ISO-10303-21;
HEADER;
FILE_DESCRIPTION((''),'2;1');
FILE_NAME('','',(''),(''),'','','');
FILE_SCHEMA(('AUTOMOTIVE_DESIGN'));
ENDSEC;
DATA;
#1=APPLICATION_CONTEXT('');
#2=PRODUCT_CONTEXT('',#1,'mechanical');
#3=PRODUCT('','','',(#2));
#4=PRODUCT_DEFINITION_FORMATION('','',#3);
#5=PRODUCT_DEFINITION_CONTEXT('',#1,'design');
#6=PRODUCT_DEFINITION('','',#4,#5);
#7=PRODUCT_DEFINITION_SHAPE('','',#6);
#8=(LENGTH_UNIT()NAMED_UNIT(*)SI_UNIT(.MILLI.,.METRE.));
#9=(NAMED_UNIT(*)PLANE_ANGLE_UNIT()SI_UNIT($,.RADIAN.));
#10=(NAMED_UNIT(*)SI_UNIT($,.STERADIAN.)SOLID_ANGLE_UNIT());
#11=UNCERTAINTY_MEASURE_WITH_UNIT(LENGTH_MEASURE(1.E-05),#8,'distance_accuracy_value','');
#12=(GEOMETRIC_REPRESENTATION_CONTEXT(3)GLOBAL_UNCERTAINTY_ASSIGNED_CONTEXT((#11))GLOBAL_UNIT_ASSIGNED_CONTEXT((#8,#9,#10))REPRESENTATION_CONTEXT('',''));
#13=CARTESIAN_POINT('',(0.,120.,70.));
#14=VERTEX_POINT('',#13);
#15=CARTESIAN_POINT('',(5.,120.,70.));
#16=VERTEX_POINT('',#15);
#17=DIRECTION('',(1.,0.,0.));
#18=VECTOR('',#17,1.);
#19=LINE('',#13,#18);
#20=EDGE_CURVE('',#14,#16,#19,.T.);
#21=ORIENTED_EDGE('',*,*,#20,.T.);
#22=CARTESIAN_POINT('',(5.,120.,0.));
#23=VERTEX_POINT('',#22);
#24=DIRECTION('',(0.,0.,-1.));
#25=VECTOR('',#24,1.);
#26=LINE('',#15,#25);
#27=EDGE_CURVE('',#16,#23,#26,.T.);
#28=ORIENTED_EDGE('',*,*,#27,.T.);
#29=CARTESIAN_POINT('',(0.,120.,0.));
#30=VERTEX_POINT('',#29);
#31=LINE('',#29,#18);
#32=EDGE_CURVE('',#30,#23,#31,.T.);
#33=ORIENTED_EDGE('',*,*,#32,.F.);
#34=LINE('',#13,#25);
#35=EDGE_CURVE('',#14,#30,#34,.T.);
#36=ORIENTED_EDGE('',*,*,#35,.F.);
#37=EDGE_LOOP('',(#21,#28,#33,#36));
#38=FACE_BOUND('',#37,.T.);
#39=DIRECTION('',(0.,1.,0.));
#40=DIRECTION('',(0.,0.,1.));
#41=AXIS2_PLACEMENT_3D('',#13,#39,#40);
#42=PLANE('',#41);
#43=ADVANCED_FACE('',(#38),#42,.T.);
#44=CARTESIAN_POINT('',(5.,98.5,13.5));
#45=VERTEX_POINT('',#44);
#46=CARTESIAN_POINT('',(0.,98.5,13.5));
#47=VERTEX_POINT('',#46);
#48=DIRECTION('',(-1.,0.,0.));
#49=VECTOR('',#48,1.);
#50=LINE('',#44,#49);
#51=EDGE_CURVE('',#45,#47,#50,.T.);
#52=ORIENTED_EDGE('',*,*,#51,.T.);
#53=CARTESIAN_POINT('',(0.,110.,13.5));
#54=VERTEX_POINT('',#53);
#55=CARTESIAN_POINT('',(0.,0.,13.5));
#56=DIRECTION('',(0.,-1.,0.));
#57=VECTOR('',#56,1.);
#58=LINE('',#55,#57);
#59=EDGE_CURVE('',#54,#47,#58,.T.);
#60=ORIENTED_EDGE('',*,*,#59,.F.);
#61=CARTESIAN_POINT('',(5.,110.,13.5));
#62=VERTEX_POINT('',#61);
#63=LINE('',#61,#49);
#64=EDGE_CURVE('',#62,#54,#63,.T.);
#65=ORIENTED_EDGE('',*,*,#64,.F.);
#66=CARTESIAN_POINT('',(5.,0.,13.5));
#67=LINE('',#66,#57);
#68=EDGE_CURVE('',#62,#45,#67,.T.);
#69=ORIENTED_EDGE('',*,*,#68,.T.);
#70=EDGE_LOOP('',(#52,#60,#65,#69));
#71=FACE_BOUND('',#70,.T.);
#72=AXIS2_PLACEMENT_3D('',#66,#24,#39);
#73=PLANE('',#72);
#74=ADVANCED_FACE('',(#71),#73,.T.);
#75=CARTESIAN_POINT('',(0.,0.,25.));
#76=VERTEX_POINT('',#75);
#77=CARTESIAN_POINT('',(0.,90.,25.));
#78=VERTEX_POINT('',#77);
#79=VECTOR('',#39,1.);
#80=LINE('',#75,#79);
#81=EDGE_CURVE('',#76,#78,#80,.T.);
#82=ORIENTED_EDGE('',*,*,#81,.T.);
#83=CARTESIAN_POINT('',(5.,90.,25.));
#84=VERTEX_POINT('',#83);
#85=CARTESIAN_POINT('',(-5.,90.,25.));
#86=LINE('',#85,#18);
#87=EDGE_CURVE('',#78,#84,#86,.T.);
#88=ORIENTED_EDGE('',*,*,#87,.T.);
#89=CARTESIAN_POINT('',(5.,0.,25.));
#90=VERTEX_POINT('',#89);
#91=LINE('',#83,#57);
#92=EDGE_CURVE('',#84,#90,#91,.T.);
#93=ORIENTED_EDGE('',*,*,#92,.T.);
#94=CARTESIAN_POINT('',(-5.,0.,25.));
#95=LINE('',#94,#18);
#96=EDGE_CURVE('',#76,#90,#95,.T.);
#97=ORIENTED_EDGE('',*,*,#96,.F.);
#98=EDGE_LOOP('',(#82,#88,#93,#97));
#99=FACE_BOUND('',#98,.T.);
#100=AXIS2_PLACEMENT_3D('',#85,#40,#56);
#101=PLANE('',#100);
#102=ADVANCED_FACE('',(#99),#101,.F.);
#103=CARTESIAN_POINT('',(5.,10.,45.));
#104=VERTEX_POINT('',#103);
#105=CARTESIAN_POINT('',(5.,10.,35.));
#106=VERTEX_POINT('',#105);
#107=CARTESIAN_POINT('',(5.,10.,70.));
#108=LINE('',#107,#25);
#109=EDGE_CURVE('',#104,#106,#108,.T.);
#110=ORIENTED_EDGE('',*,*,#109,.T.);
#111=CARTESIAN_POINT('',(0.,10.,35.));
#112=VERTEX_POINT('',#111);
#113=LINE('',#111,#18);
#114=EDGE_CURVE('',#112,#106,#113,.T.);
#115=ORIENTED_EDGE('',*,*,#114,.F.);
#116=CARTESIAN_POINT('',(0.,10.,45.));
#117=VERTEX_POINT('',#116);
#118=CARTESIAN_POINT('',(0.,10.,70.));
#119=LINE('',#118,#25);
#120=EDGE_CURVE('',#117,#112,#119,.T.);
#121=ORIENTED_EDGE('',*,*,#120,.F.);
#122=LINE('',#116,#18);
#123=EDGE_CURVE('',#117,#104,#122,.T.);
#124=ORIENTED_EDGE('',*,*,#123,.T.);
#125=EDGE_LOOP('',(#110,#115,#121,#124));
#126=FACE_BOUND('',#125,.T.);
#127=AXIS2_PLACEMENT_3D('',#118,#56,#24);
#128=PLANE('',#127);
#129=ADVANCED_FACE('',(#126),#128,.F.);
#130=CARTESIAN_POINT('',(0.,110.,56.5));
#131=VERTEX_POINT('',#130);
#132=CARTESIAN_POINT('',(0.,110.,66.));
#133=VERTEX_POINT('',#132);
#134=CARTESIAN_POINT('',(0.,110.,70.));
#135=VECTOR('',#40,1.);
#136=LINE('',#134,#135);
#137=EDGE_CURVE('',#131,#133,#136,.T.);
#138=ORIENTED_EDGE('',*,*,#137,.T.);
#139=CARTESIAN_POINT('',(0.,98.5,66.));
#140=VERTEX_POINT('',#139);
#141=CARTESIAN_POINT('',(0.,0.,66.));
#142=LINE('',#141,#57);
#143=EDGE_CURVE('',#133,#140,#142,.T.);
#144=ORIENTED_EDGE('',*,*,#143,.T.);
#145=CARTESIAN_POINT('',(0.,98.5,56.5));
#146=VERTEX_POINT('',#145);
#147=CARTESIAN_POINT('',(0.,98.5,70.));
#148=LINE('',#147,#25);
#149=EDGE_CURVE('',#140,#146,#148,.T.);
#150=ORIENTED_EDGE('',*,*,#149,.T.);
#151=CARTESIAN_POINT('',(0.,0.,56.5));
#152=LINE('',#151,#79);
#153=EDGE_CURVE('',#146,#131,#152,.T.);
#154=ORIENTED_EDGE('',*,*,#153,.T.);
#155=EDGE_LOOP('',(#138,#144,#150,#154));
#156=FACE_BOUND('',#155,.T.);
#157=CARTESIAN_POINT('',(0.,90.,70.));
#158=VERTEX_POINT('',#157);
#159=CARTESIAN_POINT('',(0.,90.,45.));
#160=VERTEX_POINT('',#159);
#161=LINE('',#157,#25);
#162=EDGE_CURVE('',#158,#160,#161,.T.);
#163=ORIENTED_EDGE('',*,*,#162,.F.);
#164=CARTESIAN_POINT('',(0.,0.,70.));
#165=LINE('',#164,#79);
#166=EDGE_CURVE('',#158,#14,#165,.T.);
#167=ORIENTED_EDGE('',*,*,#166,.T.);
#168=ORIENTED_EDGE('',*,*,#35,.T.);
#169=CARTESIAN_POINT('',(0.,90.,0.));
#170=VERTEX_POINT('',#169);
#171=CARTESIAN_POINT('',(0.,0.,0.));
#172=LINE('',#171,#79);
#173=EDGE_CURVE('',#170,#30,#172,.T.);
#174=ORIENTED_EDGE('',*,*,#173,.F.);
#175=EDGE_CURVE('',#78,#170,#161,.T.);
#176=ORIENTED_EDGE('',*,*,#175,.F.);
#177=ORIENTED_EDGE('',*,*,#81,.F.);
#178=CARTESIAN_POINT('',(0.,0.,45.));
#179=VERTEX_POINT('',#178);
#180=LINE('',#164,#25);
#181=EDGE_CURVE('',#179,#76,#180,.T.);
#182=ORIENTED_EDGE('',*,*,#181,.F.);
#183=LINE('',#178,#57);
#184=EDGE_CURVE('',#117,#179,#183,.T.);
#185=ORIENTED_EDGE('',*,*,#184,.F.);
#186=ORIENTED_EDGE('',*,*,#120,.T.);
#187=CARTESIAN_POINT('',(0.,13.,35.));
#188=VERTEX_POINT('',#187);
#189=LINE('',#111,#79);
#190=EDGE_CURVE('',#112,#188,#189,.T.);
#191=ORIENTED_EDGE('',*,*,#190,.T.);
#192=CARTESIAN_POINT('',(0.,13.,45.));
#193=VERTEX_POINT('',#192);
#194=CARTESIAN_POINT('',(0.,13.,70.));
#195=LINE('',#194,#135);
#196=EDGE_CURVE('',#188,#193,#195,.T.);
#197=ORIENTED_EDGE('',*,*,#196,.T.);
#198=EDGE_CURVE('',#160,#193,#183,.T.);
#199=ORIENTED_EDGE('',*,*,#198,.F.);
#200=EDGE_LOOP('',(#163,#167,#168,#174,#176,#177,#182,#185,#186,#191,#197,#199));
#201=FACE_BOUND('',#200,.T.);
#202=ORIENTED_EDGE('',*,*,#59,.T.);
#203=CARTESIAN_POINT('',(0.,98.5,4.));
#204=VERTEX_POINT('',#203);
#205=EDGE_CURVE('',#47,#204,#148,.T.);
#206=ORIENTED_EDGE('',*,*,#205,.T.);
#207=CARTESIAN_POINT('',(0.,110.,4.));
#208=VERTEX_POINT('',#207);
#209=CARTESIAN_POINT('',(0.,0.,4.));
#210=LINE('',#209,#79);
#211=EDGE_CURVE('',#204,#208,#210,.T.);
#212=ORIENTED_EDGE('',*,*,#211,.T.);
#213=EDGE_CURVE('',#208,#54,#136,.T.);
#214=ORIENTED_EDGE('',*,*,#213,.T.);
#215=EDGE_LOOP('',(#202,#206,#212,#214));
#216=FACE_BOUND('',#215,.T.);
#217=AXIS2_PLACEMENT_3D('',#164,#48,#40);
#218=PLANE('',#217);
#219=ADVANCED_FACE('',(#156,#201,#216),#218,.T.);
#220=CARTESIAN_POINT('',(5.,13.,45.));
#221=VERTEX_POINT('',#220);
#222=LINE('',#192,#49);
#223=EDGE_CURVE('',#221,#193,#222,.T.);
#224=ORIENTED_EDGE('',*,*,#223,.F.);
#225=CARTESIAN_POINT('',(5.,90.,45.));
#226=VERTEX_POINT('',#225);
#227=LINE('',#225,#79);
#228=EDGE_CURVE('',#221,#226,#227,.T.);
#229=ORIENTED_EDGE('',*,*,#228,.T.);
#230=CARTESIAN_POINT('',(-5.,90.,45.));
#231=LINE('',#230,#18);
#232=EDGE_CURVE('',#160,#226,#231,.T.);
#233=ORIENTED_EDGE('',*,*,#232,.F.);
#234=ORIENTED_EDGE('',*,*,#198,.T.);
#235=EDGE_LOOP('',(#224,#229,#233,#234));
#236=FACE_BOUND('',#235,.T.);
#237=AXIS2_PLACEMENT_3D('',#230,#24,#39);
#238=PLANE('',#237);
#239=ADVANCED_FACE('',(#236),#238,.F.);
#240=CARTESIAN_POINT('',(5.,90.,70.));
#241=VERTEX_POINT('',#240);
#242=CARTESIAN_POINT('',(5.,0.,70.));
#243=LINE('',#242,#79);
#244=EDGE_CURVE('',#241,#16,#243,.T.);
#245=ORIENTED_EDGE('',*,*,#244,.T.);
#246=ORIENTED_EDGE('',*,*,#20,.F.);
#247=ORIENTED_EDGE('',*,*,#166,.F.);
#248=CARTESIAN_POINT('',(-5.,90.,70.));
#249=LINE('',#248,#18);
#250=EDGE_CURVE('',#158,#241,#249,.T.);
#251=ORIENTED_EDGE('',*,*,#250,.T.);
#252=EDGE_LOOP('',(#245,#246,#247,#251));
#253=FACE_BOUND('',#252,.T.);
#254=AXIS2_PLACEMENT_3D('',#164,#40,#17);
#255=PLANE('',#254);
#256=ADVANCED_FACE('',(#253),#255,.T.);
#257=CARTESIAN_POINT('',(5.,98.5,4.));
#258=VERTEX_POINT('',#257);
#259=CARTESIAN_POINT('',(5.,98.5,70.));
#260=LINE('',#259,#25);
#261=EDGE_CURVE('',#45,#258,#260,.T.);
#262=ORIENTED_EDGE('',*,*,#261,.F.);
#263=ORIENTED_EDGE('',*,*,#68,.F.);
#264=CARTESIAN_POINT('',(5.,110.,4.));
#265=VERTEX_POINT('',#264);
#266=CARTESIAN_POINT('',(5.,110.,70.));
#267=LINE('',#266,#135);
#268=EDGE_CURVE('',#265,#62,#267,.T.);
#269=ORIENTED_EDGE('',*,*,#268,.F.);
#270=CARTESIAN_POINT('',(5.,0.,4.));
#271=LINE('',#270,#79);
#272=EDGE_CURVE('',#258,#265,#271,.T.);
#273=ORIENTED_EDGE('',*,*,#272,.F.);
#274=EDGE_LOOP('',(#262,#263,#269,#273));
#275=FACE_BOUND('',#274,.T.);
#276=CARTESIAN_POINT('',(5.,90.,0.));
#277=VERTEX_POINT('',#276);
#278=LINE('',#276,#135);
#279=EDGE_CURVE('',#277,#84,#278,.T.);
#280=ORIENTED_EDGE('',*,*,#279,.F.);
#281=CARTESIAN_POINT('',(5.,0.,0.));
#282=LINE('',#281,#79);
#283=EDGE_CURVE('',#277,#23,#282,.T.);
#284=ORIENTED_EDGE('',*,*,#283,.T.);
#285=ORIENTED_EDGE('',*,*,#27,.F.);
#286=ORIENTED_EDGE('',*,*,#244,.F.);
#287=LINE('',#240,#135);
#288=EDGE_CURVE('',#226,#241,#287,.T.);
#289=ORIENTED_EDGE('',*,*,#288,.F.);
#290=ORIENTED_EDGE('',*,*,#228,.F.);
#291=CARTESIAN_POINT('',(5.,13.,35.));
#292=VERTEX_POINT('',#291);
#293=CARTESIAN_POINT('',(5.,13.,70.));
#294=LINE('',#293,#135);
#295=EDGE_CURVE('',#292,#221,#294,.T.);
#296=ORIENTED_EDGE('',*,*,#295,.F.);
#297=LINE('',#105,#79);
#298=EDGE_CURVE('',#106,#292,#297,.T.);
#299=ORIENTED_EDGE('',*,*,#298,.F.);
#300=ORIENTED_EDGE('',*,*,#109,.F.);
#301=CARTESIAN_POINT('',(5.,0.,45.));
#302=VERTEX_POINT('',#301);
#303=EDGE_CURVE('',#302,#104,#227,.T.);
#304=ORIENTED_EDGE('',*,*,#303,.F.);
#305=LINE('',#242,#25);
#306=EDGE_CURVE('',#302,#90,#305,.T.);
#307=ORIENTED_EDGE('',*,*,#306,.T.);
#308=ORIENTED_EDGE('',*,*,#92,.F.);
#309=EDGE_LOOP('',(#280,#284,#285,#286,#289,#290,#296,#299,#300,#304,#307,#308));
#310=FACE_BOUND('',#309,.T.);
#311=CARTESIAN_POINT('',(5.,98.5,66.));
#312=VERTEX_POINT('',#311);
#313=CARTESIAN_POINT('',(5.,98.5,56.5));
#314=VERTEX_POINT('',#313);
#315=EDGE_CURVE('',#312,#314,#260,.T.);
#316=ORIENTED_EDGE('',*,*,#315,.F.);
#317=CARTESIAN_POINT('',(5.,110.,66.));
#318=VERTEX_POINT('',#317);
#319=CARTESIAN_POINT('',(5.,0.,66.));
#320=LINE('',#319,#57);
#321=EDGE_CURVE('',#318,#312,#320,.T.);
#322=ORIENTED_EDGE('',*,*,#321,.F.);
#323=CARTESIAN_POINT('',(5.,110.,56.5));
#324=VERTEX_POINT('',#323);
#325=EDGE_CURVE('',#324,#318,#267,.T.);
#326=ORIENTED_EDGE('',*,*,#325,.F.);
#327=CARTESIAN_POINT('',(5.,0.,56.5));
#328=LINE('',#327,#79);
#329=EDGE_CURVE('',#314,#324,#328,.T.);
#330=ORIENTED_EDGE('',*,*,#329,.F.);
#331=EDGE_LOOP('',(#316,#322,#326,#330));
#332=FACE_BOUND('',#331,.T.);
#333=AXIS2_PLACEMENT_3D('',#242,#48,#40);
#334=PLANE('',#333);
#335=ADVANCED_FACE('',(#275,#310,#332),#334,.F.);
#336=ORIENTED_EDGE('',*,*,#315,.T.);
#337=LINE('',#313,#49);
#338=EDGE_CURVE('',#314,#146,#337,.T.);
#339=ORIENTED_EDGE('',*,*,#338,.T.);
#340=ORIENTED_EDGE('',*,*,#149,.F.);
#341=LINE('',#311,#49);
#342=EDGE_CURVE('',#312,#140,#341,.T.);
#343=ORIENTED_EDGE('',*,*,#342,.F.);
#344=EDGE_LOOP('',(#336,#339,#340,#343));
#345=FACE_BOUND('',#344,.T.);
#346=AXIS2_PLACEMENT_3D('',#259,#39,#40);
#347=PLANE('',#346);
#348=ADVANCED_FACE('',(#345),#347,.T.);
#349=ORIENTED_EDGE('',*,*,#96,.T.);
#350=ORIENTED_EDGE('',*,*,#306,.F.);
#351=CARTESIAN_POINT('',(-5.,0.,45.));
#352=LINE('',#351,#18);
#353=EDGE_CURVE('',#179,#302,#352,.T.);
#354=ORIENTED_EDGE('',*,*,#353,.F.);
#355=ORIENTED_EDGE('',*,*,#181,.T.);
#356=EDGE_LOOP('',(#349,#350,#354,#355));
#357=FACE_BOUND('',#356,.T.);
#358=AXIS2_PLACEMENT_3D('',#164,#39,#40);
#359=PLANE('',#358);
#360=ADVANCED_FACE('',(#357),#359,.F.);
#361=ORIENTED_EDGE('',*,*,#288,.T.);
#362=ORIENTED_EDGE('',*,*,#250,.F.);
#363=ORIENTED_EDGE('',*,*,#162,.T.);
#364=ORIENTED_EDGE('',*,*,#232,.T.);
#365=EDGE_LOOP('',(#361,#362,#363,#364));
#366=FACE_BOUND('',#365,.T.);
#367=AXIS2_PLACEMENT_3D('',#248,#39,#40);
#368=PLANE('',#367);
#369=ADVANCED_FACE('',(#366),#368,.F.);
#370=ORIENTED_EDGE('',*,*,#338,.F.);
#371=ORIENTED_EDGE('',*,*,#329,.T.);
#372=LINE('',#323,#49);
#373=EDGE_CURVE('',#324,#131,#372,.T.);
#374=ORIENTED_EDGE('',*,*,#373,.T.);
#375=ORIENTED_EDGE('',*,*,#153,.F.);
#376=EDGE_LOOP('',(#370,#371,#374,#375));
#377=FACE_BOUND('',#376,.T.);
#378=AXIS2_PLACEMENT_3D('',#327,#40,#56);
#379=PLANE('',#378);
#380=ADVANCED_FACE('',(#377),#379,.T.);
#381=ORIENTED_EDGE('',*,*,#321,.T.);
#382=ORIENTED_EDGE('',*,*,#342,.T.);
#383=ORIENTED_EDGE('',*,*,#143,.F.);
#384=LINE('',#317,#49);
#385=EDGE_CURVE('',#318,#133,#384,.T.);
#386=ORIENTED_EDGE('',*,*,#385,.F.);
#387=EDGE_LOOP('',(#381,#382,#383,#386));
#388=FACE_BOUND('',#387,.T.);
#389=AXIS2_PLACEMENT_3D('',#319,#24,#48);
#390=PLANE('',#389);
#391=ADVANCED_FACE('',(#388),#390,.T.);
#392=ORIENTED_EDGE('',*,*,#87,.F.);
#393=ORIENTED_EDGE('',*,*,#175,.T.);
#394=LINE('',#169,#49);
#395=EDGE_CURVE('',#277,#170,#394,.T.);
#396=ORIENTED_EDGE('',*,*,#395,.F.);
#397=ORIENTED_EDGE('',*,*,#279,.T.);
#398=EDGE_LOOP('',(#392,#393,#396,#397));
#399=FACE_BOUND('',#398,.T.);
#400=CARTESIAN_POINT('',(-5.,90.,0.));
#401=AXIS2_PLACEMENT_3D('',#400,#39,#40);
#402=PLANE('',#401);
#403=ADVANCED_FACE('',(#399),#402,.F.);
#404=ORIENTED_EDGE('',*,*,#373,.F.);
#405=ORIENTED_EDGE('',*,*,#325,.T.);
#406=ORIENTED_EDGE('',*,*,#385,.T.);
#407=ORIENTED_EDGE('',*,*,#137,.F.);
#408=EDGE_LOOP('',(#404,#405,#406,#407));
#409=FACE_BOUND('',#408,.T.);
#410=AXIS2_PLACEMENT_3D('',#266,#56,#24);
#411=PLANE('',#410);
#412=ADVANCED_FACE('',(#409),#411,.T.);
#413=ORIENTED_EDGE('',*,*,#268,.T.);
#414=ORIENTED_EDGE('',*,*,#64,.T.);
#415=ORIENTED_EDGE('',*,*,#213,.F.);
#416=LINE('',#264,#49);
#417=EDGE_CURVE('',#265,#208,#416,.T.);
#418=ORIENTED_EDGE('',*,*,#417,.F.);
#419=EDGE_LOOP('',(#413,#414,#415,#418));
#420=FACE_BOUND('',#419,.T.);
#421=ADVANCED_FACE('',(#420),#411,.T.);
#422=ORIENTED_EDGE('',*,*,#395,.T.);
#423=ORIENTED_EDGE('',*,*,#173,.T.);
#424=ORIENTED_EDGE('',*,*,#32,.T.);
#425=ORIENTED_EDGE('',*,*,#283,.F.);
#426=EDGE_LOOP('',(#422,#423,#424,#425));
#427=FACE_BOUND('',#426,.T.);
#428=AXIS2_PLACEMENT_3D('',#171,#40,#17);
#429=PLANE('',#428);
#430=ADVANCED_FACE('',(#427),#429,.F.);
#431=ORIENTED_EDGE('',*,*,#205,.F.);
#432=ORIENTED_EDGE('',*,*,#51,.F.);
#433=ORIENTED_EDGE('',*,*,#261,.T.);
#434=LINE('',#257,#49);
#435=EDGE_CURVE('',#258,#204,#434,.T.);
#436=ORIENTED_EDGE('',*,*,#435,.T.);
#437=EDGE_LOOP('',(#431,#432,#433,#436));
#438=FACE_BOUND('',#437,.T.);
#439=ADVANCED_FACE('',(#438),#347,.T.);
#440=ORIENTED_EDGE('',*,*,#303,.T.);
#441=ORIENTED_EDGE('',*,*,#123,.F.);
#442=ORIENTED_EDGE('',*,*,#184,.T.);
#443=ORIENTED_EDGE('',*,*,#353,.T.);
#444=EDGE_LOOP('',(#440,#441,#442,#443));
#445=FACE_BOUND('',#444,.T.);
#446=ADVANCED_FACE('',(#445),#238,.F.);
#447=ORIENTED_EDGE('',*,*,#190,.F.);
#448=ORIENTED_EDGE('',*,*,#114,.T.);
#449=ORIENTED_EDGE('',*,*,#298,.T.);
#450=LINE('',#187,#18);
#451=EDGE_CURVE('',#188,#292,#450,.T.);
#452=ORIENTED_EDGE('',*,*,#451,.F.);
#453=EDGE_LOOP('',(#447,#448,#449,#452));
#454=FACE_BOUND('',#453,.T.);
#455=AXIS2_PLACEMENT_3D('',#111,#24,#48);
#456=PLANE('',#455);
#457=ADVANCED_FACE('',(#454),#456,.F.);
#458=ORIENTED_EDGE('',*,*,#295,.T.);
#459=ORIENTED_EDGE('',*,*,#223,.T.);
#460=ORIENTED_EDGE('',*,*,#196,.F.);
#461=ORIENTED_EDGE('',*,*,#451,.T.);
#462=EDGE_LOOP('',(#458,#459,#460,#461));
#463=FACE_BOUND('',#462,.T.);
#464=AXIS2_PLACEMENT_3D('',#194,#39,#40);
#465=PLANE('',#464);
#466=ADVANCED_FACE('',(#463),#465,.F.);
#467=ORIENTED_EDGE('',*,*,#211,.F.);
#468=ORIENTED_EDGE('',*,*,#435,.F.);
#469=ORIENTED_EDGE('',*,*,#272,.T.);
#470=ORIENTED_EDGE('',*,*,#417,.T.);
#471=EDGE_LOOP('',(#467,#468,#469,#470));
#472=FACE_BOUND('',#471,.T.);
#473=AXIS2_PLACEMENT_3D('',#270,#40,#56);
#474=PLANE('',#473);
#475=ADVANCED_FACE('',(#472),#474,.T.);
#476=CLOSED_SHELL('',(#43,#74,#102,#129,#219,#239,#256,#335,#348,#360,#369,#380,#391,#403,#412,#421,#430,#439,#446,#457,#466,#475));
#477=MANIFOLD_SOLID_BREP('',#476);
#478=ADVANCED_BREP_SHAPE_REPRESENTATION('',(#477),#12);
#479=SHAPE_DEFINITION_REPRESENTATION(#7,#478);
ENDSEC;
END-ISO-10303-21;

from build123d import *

# Parameters (mm, degrees)
SKETCH1_W           = 5
SKETCH1_H           = 120
BOSS_EXTRUDE1_DEPTH = 70
SKETCH2_W           = 35
SKETCH2_H           = 3
CUT_EXTRUDE1_DEPTH  = 6
SKETCH3_W           = 9.5
SKETCH3_H           = 11.5
CUT_EXTRUDE2_DEPTH  = 6
SKETCH5_W           = 25
SKETCH5_H           = 90
CUT_EXTRUDE3_DEPTH  = 10


with BuildPart() as part:
    # Sketch1 → Boss-Extrude1 (new body)
    with BuildSketch(Plane.XY):
        with Locations((2.5, 60)):
            Rectangle(SKETCH1_W, SKETCH1_H)
    extrude(amount=BOSS_EXTRUDE1_DEPTH)

    # Sketch2 → Cut-Extrude1 (cut, through all)
    with BuildSketch(Plane(origin=(5, 0, 0), x_dir=(0, 0, -1), z_dir=(1, 0, 0))):
        with Locations((-52.5, 11.5)):
            Rectangle(SKETCH2_W, SKETCH2_H)
    extrude(amount=-CUT_EXTRUDE1_DEPTH, mode=Mode.SUBTRACT)

    # Sketch3 → Cut-Extrude2 (cut, through all)
    with BuildSketch(Plane(origin=(0, 0, 0), x_dir=(0, 0, -1), z_dir=(1, 0, 0))):
        with Locations((-8.75, 104.25)):
            Rectangle(SKETCH3_W, SKETCH3_H)
        with Locations((-61.25, 104.25)):
            Rectangle(SKETCH3_W, SKETCH3_H)
    extrude(amount=CUT_EXTRUDE2_DEPTH, mode=Mode.SUBTRACT)

    # Sketch5 → Cut-Extrude3 (cut)
    with BuildSketch(Plane(origin=(5, 0, 0), x_dir=(0, 0, -1), z_dir=(1, 0, 0))):
        with Locations((-57.5, 45)):
            Rectangle(SKETCH5_W, SKETCH5_H)
        with Locations((-12.5, 45)):
            Rectangle(SKETCH5_W, SKETCH5_H)
    extrude(amount=-CUT_EXTRUDE3_DEPTH, mode=Mode.SUBTRACT)


solid = part.part
